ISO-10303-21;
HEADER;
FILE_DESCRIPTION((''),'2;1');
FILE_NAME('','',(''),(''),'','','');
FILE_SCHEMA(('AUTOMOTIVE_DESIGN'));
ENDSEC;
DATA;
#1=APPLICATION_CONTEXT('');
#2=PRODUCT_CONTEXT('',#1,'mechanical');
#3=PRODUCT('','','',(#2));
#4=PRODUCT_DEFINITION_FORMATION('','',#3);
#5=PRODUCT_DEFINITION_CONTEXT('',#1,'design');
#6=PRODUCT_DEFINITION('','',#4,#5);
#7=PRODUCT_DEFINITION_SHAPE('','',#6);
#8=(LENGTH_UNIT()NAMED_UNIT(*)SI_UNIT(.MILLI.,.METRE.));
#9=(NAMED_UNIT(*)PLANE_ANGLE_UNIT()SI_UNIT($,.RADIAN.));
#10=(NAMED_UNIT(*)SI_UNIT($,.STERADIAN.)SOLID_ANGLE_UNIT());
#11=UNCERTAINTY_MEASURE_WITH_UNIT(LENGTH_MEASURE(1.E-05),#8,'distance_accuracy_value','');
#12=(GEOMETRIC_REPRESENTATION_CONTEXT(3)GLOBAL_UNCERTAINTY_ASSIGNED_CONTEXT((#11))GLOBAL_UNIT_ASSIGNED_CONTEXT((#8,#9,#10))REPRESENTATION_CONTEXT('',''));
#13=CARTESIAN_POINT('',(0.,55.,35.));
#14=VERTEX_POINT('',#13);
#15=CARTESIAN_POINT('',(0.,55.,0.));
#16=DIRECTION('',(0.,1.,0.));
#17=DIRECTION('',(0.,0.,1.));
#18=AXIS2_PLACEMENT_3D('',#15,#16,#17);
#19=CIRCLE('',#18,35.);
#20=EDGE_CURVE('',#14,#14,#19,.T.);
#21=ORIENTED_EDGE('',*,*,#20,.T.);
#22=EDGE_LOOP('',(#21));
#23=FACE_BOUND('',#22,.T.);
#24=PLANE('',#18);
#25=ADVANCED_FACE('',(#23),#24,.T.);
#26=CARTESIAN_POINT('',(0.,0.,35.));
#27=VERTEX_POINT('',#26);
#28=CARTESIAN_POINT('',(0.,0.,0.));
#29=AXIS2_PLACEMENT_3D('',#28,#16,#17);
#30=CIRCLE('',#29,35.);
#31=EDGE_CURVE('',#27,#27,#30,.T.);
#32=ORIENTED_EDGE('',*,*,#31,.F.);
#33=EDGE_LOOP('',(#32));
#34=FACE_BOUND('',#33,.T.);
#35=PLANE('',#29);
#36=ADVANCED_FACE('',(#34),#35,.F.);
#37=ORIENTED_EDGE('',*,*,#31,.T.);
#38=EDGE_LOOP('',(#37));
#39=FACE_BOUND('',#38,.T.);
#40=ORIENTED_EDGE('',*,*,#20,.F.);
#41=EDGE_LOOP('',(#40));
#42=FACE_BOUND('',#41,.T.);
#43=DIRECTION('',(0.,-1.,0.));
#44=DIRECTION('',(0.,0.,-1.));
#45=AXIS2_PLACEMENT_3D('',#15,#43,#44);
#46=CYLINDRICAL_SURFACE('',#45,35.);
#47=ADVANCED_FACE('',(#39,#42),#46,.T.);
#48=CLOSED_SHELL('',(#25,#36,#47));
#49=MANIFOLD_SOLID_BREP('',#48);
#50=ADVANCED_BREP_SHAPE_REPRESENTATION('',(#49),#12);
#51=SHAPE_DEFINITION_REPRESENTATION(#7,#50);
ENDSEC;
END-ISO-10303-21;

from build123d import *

# Parameters (mm, degrees)
SKETCH2_R           = 35
BOSS_EXTRUDE1_DEPTH = 55


with BuildPart() as part:
    # Sketch2 → Boss-Extrude1 (new body)
    with BuildSketch(Plane(origin=(0, 0, 0), x_dir=(1, 0, 0), z_dir=(0, 1, 0))):
        Circle(SKETCH2_R)
    extrude(amount=BOSS_EXTRUDE1_DEPTH)


solid = part.part
